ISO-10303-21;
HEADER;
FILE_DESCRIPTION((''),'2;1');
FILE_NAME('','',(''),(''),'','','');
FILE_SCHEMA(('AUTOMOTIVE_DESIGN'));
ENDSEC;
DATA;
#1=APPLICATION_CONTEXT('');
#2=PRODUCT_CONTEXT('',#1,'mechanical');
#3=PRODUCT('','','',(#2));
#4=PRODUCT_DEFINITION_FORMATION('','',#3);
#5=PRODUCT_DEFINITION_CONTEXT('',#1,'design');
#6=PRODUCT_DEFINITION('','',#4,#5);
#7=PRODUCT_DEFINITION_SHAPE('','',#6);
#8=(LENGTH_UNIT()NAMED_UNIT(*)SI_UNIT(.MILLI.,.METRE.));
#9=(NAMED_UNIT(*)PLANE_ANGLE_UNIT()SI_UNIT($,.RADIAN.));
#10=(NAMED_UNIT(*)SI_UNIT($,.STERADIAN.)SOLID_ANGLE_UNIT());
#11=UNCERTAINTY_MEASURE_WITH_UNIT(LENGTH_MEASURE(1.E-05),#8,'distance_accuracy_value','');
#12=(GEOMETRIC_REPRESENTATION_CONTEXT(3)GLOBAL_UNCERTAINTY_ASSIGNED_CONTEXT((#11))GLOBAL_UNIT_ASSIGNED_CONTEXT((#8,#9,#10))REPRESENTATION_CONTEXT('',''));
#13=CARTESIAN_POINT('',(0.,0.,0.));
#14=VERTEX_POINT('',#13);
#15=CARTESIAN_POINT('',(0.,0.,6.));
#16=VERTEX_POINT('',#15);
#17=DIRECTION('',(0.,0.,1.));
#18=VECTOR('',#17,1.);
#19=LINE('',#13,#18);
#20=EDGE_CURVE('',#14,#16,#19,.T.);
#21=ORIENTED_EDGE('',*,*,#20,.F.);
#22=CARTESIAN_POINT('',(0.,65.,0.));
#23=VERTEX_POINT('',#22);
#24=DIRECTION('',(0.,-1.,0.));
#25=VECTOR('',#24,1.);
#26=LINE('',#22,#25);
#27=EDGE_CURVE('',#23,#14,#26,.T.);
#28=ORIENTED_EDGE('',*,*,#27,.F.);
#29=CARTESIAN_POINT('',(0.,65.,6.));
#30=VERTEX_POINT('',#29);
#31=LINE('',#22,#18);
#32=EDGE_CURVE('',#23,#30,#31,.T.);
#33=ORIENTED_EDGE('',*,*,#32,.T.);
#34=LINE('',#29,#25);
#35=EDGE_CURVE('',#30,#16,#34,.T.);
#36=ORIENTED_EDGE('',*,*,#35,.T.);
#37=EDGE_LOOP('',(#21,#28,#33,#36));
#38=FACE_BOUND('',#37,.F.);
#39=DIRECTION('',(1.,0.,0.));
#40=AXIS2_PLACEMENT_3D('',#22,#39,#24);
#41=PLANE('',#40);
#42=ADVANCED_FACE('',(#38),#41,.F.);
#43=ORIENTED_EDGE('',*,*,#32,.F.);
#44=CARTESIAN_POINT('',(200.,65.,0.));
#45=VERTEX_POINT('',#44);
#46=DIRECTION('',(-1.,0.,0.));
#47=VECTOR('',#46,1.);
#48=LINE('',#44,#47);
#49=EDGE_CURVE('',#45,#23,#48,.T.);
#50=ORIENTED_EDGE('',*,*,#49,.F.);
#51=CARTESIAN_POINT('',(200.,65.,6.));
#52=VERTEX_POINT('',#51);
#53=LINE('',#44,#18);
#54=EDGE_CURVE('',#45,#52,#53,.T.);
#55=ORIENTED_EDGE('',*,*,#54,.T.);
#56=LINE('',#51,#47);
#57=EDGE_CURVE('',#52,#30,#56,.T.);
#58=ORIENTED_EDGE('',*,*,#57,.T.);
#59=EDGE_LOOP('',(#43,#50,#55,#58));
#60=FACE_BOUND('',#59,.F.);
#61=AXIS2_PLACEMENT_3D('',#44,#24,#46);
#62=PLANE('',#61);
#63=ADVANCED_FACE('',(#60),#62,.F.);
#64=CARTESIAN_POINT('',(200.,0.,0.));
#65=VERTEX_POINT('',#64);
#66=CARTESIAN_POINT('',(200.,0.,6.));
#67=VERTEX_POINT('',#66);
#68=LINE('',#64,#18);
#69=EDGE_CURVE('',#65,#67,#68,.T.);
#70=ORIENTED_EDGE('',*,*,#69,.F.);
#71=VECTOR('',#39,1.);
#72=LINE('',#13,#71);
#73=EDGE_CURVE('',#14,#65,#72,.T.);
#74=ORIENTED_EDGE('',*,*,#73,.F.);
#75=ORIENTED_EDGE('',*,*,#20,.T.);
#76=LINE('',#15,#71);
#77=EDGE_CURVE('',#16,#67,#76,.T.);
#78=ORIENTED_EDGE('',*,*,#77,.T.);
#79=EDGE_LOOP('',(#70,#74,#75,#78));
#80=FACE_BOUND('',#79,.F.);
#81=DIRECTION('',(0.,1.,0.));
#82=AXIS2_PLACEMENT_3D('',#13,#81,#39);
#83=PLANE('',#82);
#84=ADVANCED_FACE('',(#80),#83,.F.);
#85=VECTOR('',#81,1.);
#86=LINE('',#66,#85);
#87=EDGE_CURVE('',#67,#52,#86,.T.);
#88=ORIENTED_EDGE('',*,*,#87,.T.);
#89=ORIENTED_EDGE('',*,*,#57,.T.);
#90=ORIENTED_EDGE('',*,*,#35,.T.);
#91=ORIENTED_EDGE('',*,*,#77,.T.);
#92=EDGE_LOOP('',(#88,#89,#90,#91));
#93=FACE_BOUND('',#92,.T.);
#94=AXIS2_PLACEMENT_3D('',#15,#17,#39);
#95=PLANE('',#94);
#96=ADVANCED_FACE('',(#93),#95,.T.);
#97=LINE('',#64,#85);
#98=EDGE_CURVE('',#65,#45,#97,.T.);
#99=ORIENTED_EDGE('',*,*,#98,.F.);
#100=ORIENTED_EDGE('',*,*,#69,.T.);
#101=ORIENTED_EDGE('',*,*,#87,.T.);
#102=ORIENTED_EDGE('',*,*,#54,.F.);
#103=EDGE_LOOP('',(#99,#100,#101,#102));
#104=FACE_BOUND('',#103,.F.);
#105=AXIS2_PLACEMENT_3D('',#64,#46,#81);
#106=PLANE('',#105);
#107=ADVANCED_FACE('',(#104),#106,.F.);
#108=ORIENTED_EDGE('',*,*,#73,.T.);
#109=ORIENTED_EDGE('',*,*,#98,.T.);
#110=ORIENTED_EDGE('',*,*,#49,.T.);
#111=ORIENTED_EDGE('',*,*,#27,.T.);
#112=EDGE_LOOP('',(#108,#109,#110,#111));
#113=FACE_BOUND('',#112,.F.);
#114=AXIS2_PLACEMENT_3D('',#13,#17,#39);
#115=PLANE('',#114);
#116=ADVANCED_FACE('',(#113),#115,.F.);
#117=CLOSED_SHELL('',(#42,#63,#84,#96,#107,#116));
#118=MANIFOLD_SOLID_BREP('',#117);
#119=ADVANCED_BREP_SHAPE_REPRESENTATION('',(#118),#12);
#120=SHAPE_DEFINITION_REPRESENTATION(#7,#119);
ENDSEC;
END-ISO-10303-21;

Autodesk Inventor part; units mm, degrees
ref_plane "YZ Plane" through (0, 0, 0) normal (1, 0, 0) x (0, 1, 0)
ref_plane "XZ Plane" through (0, 0, 0) normal (0, 1, 0) x (-1, 0, 0)
ref_plane "XY Plane" through (0, 0, 0) normal (0, 0, 1) x (1, 0, 0)
sketch "Sketch1" plane through (0, 0, 0) normal (0, 0, 1) x (1, 0, 0)
  line L0 (0, 0) -> (200, 0)
  line L1 (200, 0) -> (200, 65)
  line L2 (200, 65) -> (0, 65)
  line L3 (0, 65) -> (0, 0)
  dimension "d0" = 65
  dimension "d1" = 200
extrude "Extrusion1" add sketch "Sketch1" along normal blind 6
properties part number "Side Top Foam" material "Rubber"
